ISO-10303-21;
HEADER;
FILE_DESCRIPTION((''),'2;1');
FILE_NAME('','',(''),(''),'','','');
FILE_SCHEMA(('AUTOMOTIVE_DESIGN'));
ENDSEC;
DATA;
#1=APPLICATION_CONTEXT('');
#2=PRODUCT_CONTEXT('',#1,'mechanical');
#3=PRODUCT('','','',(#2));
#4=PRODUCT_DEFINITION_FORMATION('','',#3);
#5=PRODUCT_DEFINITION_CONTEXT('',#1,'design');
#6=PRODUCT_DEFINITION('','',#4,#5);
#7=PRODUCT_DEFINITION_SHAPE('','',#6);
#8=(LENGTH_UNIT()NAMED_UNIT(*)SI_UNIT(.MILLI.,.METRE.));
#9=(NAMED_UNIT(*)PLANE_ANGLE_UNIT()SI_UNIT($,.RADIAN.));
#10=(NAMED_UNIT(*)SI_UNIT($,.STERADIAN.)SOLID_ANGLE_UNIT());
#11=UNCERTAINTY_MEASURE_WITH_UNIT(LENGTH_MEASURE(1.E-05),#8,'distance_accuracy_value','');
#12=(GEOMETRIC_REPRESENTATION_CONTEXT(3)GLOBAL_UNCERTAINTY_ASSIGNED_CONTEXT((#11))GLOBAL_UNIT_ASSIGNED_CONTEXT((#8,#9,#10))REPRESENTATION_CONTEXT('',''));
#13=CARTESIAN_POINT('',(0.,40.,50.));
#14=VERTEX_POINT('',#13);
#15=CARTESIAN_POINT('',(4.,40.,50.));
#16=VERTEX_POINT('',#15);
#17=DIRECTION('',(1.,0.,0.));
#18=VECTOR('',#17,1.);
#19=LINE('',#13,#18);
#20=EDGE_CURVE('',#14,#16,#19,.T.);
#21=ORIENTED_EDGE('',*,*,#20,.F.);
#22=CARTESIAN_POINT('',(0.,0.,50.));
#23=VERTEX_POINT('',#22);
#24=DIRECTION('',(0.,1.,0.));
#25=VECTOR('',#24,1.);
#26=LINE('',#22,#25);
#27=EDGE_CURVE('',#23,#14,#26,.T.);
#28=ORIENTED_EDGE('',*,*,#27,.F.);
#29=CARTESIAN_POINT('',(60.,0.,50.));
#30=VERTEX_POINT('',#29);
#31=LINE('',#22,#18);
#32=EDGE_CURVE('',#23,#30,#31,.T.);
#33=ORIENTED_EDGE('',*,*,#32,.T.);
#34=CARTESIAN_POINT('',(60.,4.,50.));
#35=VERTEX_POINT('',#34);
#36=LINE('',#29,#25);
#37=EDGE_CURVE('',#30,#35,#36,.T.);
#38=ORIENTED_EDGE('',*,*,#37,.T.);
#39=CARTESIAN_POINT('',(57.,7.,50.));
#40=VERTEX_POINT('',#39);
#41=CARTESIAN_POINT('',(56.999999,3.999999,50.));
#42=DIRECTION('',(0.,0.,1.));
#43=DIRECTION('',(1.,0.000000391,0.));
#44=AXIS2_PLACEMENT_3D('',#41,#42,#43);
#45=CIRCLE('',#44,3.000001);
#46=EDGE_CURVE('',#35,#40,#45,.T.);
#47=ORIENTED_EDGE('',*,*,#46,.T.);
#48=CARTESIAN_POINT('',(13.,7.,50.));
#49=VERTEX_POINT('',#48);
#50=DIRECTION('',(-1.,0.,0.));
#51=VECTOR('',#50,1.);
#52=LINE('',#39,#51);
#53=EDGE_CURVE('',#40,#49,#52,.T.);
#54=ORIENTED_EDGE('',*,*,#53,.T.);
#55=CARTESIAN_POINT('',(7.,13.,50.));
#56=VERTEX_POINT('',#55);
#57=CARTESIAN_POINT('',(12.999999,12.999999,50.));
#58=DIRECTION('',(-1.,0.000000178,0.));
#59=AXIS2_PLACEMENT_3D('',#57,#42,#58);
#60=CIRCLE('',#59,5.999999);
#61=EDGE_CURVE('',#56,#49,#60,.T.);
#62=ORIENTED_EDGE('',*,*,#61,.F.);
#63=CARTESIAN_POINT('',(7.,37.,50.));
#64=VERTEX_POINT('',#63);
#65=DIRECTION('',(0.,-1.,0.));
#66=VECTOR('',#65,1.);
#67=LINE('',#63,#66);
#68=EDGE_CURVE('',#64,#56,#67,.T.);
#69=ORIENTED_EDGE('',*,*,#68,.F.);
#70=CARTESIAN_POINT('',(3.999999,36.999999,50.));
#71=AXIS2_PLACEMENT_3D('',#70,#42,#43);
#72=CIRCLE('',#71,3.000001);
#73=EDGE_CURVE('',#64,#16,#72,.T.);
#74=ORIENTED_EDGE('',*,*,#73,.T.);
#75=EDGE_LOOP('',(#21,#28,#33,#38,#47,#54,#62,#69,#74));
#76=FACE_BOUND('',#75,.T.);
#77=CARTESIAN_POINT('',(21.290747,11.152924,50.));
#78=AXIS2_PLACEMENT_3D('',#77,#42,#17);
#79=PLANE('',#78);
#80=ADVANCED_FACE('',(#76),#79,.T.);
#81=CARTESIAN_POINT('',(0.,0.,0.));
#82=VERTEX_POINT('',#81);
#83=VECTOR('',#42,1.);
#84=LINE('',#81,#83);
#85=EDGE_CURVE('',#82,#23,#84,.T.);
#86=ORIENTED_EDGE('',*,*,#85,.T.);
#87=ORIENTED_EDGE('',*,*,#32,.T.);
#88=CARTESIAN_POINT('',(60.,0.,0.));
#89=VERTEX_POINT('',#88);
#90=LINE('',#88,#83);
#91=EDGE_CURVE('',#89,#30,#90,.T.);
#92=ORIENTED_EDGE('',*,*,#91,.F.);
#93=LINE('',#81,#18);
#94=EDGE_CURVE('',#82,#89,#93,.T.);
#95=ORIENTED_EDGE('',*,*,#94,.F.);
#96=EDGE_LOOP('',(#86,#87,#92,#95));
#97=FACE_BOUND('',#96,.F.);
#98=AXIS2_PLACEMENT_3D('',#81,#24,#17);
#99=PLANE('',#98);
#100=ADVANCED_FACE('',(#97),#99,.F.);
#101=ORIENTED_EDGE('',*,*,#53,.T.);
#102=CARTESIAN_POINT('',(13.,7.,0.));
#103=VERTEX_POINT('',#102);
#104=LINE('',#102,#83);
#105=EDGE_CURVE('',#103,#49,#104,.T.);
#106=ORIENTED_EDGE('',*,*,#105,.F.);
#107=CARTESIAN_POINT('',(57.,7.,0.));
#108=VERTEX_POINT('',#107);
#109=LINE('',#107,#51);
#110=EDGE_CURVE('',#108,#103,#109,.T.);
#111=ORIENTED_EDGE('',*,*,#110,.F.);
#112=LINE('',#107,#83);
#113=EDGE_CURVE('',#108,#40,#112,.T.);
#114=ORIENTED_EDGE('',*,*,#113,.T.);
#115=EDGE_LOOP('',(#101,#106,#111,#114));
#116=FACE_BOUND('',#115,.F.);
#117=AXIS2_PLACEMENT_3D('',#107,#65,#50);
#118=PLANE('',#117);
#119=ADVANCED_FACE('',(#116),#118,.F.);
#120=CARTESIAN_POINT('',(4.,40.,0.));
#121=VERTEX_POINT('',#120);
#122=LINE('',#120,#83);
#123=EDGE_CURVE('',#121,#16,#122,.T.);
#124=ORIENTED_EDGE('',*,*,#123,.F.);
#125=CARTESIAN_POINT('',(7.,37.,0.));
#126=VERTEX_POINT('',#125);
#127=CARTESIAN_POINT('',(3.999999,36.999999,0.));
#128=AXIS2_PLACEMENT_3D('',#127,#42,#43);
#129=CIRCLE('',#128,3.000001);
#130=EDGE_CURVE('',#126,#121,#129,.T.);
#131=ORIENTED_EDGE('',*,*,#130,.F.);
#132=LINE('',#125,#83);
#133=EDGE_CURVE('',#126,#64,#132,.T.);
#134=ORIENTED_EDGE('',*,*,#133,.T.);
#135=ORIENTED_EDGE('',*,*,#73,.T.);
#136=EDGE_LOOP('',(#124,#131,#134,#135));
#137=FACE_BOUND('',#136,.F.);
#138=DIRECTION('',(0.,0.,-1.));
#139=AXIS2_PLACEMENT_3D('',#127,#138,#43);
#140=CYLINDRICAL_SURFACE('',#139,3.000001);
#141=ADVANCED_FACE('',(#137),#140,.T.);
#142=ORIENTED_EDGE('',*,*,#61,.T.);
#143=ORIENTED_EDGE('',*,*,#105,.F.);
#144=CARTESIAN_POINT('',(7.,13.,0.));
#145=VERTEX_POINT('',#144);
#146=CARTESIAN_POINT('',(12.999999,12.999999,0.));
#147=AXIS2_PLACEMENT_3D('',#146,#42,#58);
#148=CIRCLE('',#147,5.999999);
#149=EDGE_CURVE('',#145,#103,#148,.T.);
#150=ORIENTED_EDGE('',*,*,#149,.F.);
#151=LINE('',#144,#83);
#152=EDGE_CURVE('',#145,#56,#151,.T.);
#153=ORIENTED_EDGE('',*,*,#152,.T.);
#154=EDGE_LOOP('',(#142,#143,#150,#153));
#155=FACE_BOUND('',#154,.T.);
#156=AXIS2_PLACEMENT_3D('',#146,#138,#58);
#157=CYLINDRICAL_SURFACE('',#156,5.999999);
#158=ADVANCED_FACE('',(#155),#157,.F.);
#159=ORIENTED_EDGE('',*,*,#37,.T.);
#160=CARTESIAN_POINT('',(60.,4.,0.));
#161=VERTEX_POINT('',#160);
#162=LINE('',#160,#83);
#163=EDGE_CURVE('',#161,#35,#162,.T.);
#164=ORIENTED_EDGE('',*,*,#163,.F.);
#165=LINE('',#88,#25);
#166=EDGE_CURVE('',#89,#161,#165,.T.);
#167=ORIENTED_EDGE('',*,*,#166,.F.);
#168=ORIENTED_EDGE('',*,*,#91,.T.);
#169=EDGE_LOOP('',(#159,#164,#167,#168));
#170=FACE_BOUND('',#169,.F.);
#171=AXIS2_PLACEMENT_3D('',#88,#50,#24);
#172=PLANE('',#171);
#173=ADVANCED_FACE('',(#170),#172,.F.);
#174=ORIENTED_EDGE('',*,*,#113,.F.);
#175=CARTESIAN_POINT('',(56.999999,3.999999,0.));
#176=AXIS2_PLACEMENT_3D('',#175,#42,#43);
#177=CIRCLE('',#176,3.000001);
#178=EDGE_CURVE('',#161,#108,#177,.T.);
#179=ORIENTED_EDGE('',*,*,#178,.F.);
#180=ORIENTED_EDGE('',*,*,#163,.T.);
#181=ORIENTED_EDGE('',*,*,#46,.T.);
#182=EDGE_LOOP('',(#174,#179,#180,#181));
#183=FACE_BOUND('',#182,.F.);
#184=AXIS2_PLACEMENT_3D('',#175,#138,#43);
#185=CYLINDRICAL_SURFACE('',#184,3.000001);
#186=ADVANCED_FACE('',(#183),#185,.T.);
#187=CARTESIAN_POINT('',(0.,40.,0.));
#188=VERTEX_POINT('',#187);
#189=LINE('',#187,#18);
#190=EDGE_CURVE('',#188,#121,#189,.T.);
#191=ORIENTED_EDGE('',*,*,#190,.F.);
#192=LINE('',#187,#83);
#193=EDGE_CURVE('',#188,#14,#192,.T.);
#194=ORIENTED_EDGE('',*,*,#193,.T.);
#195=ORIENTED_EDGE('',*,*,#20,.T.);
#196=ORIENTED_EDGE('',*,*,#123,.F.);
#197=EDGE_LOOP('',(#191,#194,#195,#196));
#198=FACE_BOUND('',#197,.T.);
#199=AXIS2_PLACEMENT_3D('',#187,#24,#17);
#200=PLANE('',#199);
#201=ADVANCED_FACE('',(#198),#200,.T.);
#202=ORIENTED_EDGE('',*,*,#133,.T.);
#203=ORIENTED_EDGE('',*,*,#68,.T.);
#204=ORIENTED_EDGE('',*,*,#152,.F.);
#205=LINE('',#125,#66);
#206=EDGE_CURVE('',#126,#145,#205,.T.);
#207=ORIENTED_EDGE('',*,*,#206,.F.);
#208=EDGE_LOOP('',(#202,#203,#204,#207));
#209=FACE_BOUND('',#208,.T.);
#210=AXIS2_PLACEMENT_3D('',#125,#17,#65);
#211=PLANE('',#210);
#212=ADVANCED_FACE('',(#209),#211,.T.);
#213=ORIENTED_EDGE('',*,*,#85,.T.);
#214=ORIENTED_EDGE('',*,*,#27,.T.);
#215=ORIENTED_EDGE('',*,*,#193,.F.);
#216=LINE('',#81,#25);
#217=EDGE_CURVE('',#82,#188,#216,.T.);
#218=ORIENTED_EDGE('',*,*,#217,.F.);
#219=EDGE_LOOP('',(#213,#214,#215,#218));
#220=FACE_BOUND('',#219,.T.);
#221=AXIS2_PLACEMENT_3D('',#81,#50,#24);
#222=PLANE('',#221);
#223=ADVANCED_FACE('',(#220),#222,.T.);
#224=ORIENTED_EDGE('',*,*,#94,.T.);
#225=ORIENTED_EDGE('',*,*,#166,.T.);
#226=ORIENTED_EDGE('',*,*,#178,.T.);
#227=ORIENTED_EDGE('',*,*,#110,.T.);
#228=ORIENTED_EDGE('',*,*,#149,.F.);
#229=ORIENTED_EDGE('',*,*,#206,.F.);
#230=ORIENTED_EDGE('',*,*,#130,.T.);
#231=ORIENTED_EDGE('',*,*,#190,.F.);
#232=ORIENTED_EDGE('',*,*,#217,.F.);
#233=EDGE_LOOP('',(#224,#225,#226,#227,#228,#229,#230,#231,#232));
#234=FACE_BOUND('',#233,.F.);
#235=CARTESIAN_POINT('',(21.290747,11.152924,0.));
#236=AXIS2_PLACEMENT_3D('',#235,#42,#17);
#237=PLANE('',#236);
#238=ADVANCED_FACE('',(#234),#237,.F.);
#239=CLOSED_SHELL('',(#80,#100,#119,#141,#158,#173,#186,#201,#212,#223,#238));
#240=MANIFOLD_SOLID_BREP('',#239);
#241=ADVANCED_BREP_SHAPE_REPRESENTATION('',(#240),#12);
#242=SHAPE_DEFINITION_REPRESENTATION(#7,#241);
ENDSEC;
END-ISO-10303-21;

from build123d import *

# Parameters (mm, degrees)
EXTRUDE_DEPTH = 50


with BuildPart() as part:
    # Sketch → Extrude (new body)
    with BuildSketch(Plane.XY):
        with BuildLine():
            Line((0, 0), (60, 0))
            Line((60, 0), (60, 4))
            ThreePointArc((60, 4), (59.12132, 6.12132), (57, 7))
            Line((57, 7), (13, 7))
            ThreePointArc((7, 13), (8.757359, 8.757359), (13, 7))
            Line((7, 37), (7, 13))
            ThreePointArc((7, 37), (6.12132, 39.12132), (4, 40))
            Line((0, 40), (4, 40))
            Line((0, 0), (0, 40))
        make_face()
    extrude(amount=EXTRUDE_DEPTH)


solid = part.part
